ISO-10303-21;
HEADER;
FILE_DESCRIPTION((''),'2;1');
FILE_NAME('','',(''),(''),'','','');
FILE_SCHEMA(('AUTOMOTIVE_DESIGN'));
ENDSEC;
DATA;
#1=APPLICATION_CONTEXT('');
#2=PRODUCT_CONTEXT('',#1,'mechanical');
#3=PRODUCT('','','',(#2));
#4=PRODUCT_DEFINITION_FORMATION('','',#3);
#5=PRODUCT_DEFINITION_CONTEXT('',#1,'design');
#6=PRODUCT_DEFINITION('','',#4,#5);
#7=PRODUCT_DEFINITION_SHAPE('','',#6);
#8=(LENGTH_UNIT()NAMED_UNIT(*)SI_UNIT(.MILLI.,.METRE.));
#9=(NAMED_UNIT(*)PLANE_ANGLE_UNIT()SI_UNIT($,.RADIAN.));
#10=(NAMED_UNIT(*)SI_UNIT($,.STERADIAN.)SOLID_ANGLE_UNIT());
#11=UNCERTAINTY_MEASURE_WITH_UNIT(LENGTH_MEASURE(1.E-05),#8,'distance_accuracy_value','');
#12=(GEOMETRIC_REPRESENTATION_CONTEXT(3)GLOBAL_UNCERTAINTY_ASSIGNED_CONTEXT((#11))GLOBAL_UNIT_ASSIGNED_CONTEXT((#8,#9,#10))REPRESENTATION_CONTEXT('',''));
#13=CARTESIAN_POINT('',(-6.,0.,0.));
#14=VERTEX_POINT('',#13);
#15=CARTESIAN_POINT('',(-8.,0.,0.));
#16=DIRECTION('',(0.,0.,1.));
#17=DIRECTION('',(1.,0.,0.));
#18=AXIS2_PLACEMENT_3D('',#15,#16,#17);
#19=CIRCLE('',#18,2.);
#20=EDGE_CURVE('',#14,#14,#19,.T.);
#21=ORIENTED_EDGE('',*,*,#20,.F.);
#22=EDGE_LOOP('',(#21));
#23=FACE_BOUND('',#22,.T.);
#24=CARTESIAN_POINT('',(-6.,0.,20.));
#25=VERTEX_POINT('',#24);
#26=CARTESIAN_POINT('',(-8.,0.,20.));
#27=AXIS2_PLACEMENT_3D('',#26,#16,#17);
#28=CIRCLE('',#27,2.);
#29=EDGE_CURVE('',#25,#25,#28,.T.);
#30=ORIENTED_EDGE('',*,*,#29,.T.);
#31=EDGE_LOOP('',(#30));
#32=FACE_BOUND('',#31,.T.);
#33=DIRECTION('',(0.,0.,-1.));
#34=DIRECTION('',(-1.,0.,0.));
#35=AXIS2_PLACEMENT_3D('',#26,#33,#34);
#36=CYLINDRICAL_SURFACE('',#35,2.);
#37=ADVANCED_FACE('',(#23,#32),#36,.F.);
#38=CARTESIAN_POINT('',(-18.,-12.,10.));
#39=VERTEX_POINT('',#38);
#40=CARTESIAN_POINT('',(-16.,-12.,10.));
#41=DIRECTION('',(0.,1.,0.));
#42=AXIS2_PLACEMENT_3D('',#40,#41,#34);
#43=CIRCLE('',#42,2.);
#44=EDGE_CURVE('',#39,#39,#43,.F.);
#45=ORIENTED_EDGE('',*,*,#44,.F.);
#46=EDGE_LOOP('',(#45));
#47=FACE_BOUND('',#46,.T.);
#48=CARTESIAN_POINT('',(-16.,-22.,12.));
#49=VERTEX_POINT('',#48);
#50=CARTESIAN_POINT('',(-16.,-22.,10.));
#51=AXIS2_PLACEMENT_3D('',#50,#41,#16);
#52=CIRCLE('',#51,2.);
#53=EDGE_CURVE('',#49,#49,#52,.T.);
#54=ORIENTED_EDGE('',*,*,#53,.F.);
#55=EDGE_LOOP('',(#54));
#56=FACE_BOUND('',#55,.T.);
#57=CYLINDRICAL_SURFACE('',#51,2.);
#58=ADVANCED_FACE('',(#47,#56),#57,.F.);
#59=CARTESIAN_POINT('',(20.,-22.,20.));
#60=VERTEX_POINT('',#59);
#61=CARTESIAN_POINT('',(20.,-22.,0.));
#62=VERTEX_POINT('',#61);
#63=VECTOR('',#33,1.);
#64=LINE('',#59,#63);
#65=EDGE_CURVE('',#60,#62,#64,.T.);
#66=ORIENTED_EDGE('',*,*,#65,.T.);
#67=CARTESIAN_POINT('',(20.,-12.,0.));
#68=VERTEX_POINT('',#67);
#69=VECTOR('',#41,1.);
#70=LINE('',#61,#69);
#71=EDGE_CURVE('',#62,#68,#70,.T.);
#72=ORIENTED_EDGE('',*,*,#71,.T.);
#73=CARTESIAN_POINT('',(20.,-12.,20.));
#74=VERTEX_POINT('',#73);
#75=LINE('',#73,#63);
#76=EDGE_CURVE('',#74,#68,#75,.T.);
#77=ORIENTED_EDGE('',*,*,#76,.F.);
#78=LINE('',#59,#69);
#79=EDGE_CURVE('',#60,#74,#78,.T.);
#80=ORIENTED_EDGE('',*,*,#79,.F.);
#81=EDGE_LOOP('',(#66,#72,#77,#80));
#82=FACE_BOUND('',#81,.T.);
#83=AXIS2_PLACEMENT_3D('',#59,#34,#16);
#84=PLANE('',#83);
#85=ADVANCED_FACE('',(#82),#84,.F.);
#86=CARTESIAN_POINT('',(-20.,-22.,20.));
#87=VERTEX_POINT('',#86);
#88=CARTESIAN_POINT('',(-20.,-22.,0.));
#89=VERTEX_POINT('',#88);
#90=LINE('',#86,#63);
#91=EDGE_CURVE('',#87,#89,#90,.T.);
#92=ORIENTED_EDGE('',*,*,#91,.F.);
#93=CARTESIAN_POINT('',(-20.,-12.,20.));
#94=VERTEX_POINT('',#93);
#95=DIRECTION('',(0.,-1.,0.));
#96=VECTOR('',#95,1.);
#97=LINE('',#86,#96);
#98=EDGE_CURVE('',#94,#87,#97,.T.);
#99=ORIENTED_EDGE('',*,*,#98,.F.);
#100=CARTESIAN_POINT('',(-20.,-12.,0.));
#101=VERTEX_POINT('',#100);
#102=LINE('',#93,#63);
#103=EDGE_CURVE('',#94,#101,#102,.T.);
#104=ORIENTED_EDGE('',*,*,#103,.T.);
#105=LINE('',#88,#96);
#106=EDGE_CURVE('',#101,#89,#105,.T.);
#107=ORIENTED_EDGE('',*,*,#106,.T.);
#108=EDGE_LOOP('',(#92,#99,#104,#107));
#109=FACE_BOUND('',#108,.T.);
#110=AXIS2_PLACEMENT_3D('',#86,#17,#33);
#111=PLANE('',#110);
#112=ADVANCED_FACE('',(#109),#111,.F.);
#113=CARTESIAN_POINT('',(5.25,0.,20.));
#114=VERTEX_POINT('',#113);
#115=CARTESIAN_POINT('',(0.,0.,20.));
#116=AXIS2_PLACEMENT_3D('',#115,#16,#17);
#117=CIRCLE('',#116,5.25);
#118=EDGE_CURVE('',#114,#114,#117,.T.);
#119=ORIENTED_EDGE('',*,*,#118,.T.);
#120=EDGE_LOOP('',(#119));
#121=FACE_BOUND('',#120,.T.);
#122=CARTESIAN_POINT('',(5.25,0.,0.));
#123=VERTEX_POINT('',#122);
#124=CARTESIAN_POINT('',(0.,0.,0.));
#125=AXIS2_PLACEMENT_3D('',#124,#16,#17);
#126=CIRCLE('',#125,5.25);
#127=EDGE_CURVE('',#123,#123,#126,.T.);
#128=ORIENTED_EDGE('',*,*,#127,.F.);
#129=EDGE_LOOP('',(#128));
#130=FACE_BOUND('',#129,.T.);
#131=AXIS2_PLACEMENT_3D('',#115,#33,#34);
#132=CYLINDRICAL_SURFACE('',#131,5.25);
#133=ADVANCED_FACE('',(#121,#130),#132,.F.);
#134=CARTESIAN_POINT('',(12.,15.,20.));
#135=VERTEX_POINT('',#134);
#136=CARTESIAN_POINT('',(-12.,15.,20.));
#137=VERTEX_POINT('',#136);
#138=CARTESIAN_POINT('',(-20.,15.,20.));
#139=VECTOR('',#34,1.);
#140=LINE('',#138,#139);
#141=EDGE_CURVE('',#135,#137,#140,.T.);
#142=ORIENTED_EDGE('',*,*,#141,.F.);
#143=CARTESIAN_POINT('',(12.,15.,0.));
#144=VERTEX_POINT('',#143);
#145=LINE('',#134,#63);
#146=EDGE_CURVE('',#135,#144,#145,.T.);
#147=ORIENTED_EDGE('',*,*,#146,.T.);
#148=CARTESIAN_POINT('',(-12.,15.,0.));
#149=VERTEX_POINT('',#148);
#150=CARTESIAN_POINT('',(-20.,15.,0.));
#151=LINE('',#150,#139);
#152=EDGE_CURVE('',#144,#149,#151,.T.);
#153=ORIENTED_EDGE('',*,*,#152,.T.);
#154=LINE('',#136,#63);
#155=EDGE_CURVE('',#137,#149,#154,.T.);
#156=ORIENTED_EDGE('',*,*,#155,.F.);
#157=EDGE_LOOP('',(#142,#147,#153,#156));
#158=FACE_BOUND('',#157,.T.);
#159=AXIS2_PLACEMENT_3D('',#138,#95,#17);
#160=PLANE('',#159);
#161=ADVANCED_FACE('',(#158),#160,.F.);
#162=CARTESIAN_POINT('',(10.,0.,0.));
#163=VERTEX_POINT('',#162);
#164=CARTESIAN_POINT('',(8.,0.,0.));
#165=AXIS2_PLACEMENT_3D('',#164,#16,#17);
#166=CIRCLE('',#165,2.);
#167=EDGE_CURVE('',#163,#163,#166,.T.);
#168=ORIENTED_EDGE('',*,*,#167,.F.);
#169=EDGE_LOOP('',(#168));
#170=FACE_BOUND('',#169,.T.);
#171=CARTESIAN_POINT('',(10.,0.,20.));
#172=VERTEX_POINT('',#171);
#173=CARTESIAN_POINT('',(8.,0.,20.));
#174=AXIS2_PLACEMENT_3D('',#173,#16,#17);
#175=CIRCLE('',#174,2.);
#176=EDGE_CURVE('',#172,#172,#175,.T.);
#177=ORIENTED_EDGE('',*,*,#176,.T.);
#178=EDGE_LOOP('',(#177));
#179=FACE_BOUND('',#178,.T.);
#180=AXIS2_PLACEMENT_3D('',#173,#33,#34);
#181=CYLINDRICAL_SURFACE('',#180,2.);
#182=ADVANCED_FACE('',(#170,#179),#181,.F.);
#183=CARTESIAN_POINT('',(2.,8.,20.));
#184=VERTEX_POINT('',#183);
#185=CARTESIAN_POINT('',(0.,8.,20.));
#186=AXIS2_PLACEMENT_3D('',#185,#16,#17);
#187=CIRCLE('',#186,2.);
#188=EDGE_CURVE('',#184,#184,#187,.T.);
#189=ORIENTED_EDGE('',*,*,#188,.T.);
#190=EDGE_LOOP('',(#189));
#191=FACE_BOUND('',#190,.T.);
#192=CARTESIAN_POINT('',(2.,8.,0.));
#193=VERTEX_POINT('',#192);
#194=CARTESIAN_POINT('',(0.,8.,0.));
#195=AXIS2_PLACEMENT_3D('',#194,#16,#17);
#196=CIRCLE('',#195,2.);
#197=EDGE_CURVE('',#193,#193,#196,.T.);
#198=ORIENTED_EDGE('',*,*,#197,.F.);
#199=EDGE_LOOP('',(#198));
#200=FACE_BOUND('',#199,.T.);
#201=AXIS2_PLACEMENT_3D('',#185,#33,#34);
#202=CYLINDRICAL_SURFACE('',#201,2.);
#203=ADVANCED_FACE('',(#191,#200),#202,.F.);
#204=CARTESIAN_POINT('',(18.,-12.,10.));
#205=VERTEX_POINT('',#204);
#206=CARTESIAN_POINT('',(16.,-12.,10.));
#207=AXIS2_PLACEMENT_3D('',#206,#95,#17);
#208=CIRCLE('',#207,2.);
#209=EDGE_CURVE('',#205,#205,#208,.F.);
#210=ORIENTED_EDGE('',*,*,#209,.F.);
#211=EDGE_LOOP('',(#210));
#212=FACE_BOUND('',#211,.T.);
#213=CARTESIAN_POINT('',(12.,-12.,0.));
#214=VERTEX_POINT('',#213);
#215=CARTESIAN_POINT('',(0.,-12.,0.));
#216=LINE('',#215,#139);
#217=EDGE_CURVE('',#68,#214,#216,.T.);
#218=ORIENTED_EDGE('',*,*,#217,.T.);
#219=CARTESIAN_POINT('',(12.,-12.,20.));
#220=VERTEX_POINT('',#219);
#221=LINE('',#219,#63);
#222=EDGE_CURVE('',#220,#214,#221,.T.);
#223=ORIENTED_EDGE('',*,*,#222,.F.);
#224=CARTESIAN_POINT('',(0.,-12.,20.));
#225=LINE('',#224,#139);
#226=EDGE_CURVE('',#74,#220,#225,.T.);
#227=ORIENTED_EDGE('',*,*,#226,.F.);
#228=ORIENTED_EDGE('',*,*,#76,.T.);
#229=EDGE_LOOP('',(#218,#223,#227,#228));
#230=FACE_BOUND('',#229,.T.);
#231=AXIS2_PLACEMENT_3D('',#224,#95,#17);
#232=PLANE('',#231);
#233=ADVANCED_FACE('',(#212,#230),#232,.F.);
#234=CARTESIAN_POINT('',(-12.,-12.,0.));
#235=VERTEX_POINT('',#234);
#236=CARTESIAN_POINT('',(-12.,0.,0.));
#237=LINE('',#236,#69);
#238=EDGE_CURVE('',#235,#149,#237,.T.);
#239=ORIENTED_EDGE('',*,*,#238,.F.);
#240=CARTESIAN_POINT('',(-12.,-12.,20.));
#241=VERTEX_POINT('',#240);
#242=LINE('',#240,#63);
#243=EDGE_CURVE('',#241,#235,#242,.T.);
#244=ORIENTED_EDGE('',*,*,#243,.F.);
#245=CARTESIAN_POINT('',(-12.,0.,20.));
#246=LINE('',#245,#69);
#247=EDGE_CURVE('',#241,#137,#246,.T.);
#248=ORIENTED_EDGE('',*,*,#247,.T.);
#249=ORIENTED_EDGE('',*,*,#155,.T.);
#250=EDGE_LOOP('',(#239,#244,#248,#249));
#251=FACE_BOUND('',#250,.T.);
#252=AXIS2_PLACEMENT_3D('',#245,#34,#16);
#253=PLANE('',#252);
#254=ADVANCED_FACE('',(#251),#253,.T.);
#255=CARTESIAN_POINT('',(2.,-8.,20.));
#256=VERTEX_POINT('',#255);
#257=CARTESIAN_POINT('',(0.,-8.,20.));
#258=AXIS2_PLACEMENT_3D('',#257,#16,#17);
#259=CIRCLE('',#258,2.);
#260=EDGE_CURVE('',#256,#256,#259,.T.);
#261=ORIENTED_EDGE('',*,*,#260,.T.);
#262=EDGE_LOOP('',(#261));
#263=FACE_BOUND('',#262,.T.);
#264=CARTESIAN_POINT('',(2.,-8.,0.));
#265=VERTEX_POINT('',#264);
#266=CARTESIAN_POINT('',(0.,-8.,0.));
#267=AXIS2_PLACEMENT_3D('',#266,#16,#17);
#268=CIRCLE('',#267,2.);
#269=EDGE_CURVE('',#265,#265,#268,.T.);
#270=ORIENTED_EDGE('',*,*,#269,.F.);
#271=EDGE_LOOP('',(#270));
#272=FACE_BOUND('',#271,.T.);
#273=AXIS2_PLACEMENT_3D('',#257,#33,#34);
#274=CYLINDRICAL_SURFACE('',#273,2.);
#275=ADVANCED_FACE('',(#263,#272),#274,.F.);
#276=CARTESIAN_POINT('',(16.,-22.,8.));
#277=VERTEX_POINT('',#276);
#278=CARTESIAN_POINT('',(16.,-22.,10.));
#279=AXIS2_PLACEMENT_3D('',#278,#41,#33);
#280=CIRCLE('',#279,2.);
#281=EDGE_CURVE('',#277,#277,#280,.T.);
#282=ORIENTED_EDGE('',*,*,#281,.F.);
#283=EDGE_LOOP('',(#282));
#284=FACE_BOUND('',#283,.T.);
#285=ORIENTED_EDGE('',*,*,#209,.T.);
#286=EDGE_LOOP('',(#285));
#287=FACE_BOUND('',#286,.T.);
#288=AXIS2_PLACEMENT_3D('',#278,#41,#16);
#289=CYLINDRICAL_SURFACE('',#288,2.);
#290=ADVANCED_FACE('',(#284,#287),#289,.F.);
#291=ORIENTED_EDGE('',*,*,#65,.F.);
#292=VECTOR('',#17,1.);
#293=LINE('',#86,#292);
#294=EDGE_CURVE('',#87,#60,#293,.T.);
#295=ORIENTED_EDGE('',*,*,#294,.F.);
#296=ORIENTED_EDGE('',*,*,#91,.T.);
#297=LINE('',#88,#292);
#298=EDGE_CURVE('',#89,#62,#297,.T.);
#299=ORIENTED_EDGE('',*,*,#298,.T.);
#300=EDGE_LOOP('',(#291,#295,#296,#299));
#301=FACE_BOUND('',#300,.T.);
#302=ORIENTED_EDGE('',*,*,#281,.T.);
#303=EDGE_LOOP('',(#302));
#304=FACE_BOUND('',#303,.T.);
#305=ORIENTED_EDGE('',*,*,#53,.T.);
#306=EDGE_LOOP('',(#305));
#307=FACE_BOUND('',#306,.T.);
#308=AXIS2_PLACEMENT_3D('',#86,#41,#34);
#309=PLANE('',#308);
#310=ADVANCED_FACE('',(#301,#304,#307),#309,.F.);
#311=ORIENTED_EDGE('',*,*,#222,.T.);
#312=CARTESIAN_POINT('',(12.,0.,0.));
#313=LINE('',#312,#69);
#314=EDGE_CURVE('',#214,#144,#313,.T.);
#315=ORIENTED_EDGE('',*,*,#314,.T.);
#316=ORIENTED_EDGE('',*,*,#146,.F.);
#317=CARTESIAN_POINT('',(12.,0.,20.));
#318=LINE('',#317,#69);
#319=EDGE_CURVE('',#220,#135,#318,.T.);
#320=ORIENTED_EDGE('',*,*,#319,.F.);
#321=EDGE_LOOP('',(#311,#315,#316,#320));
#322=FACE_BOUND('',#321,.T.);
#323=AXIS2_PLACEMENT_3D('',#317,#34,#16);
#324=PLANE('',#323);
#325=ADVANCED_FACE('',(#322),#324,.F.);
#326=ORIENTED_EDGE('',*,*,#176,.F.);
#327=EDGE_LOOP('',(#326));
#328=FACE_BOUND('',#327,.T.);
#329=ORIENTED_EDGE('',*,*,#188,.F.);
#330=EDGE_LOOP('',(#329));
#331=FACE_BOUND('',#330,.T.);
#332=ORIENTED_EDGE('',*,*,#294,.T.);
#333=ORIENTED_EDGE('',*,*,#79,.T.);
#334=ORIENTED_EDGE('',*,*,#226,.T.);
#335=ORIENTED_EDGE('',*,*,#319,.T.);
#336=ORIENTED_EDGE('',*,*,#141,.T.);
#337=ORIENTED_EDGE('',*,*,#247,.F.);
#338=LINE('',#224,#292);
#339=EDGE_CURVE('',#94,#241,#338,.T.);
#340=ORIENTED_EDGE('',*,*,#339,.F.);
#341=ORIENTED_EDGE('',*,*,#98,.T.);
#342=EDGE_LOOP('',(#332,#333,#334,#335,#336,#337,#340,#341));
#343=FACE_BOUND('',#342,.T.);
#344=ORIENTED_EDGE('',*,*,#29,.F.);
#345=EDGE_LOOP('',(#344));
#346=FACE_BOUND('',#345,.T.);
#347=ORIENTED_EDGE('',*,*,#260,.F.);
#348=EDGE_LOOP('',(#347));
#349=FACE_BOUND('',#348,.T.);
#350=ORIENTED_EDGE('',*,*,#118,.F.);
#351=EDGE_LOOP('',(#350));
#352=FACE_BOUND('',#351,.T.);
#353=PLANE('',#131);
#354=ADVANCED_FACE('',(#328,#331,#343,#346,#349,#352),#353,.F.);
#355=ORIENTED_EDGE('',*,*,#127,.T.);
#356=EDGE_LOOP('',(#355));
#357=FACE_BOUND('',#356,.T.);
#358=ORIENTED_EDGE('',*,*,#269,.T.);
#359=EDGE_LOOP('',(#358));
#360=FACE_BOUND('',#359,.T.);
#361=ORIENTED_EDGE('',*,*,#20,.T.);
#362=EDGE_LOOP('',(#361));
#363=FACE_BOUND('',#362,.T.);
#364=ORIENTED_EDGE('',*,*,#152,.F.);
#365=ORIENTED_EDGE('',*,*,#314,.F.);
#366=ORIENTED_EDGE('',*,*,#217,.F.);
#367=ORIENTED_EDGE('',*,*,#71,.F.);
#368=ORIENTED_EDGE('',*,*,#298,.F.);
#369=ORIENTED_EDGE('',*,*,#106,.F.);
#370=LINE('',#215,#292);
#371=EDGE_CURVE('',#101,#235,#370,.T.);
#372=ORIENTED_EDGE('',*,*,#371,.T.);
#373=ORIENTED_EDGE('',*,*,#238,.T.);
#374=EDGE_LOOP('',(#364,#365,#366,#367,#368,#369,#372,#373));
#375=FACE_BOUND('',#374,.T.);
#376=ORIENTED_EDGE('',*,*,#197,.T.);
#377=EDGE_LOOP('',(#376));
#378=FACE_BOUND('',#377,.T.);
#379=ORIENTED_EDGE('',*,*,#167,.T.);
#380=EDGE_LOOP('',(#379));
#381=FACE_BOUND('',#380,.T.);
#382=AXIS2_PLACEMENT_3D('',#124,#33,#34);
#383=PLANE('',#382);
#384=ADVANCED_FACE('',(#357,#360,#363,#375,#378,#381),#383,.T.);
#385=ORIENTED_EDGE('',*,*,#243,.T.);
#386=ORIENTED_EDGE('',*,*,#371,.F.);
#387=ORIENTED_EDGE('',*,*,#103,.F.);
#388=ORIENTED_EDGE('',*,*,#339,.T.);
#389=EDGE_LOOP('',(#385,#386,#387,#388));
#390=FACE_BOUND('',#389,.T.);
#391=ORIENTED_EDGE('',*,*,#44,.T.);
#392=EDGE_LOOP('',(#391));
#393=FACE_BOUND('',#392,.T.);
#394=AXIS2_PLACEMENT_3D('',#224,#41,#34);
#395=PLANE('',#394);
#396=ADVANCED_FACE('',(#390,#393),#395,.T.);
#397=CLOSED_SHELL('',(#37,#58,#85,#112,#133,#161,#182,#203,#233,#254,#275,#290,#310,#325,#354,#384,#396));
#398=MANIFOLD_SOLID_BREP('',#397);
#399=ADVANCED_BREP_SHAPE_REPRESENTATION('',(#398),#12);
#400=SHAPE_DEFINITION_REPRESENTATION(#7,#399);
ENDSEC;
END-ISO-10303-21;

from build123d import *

# Parameters (mm, degrees)
SKETCH1_W           = 40
SKETCH1_H           = 37
SKETCH1_R           = 5.25
SKETCH1_R_2         = 2
BOSS_EXTRUDE1_DEPTH = 20
SKETCH2_R           = 2
CUT_EXTRUDE1_DEPTH  = 38
SKETCH3_W           = 8
SKETCH3_H           = 27
CUT_EXTRUDE2_DEPTH  = 21


with BuildPart() as part:
    # Sketch1 → Boss-Extrude1 (new body)
    with BuildSketch(Plane.XY):
        with Locations((0, -3.5)):
            Rectangle(SKETCH1_W, SKETCH1_H)
        Circle(SKETCH1_R, mode=Mode.SUBTRACT)
        with Locations((0, 8)):
            Circle(SKETCH1_R_2, mode=Mode.SUBTRACT)
        with Locations((8, 0)):
            Circle(SKETCH1_R_2, mode=Mode.SUBTRACT)
        with Locations((0, -8)):
            Circle(SKETCH1_R_2, mode=Mode.SUBTRACT)
        with Locations((-8, 0)):
            Circle(SKETCH1_R_2, mode=Mode.SUBTRACT)
    extrude(amount=BOSS_EXTRUDE1_DEPTH)

    # Sketch2 → Cut-Extrude1 (cut, through all)
    with BuildSketch(Plane(origin=(0, 15, 0), x_dir=(1, 0, 0), z_dir=(0, 1, 0))):
        with Locations((-16, -10)):
            Circle(SKETCH2_R)
        with Locations((16, -10)):
            Circle(SKETCH2_R)
    extrude(amount=-CUT_EXTRUDE1_DEPTH, mode=Mode.SUBTRACT)

    # Sketch3 → Cut-Extrude2 (cut, through all)
    with BuildSketch(Plane(origin=(0, 0, 0), x_dir=(-1, 0, 0), z_dir=(0, 0, -1))):
        with Locations((16, 1.5)):
            Rectangle(SKETCH3_W, SKETCH3_H)
        with Locations((-16, 1.5)):
            Rectangle(SKETCH3_W, SKETCH3_H)
    extrude(amount=-CUT_EXTRUDE2_DEPTH, mode=Mode.SUBTRACT)


solid = part.part
